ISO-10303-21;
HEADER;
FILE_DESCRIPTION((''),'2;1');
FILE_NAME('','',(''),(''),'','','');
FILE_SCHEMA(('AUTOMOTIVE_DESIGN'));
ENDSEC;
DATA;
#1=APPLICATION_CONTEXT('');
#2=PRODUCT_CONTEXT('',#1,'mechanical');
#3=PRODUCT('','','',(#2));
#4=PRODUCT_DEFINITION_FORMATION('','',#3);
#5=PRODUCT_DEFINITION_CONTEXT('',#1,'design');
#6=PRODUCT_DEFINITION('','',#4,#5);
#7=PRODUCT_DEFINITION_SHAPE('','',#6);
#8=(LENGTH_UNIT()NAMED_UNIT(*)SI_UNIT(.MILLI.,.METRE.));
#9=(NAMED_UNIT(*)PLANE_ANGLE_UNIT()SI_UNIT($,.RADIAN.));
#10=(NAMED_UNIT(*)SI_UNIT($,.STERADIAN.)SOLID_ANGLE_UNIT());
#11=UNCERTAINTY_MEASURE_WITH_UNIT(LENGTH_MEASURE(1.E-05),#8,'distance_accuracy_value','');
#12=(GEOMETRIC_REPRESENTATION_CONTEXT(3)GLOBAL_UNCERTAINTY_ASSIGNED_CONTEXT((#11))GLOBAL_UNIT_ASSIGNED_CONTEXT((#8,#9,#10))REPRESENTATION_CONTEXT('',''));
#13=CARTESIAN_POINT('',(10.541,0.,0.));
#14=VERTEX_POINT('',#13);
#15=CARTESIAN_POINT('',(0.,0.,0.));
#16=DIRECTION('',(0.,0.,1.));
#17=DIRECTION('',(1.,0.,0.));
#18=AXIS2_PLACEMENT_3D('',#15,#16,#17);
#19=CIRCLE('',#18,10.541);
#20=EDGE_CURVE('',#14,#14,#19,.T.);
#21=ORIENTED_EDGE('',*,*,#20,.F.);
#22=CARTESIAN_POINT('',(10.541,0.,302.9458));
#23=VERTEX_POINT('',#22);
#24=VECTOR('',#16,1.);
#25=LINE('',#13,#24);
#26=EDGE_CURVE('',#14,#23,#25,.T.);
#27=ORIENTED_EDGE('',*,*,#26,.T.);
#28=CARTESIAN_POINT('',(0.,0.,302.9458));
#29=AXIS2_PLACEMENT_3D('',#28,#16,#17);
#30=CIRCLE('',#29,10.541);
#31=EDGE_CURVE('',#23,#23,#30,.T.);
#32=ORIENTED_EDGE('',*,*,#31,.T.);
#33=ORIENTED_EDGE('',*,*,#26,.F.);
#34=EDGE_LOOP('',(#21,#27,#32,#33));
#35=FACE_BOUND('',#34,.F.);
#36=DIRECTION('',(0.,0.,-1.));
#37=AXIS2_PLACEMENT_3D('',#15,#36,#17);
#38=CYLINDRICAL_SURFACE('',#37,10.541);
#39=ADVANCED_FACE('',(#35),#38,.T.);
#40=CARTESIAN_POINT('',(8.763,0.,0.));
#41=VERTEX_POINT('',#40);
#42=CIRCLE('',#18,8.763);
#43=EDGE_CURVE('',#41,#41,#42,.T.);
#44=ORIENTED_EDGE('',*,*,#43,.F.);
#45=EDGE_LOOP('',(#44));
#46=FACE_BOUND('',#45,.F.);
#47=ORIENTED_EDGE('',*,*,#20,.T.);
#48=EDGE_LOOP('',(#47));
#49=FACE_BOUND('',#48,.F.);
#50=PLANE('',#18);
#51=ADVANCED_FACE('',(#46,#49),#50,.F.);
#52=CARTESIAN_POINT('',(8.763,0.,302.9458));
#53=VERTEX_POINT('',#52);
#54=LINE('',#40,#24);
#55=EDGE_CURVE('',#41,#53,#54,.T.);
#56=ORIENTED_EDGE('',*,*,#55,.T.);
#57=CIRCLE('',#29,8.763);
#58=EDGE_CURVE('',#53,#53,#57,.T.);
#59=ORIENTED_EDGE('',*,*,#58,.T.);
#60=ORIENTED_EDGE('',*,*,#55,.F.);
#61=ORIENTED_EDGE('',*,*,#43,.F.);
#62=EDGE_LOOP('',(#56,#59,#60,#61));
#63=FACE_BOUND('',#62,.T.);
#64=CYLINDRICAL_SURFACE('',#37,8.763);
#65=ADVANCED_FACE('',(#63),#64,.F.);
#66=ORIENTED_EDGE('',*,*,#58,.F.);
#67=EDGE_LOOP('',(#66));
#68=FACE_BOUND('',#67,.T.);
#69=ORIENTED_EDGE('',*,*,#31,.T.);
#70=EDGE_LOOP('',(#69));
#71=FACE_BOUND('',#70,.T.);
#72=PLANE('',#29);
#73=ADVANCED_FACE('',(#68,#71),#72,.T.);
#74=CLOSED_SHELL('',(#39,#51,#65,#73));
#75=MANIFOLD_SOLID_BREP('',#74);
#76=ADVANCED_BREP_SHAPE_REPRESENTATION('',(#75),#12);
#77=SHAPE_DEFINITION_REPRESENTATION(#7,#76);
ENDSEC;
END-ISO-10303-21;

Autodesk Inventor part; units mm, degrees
ref_plane "YZ Plane" through (0, 0, 0) normal (1, 0, 0) x (0, 1, 0)
ref_plane "XZ Plane" through (0, 0, 0) normal (0, 1, 0) x (-1, 0, 0)
ref_plane "XY Plane" through (0, 0, 0) normal (0, 0, 1) x (1, 0, 0)
sketch "Sketch2" plane through (0, 0, 0) normal (0, 0, 1) x (1, 0, 0)
  circle A0 centre (0, 0) radius 8.763
  circle A1 centre (0, 0) radius 10.541
  dimension "d4" = 17.526
  dimension "d5" = 1.778
extrude "Extrusion1" add sketch "Sketch2" along normal blind 302.9458
